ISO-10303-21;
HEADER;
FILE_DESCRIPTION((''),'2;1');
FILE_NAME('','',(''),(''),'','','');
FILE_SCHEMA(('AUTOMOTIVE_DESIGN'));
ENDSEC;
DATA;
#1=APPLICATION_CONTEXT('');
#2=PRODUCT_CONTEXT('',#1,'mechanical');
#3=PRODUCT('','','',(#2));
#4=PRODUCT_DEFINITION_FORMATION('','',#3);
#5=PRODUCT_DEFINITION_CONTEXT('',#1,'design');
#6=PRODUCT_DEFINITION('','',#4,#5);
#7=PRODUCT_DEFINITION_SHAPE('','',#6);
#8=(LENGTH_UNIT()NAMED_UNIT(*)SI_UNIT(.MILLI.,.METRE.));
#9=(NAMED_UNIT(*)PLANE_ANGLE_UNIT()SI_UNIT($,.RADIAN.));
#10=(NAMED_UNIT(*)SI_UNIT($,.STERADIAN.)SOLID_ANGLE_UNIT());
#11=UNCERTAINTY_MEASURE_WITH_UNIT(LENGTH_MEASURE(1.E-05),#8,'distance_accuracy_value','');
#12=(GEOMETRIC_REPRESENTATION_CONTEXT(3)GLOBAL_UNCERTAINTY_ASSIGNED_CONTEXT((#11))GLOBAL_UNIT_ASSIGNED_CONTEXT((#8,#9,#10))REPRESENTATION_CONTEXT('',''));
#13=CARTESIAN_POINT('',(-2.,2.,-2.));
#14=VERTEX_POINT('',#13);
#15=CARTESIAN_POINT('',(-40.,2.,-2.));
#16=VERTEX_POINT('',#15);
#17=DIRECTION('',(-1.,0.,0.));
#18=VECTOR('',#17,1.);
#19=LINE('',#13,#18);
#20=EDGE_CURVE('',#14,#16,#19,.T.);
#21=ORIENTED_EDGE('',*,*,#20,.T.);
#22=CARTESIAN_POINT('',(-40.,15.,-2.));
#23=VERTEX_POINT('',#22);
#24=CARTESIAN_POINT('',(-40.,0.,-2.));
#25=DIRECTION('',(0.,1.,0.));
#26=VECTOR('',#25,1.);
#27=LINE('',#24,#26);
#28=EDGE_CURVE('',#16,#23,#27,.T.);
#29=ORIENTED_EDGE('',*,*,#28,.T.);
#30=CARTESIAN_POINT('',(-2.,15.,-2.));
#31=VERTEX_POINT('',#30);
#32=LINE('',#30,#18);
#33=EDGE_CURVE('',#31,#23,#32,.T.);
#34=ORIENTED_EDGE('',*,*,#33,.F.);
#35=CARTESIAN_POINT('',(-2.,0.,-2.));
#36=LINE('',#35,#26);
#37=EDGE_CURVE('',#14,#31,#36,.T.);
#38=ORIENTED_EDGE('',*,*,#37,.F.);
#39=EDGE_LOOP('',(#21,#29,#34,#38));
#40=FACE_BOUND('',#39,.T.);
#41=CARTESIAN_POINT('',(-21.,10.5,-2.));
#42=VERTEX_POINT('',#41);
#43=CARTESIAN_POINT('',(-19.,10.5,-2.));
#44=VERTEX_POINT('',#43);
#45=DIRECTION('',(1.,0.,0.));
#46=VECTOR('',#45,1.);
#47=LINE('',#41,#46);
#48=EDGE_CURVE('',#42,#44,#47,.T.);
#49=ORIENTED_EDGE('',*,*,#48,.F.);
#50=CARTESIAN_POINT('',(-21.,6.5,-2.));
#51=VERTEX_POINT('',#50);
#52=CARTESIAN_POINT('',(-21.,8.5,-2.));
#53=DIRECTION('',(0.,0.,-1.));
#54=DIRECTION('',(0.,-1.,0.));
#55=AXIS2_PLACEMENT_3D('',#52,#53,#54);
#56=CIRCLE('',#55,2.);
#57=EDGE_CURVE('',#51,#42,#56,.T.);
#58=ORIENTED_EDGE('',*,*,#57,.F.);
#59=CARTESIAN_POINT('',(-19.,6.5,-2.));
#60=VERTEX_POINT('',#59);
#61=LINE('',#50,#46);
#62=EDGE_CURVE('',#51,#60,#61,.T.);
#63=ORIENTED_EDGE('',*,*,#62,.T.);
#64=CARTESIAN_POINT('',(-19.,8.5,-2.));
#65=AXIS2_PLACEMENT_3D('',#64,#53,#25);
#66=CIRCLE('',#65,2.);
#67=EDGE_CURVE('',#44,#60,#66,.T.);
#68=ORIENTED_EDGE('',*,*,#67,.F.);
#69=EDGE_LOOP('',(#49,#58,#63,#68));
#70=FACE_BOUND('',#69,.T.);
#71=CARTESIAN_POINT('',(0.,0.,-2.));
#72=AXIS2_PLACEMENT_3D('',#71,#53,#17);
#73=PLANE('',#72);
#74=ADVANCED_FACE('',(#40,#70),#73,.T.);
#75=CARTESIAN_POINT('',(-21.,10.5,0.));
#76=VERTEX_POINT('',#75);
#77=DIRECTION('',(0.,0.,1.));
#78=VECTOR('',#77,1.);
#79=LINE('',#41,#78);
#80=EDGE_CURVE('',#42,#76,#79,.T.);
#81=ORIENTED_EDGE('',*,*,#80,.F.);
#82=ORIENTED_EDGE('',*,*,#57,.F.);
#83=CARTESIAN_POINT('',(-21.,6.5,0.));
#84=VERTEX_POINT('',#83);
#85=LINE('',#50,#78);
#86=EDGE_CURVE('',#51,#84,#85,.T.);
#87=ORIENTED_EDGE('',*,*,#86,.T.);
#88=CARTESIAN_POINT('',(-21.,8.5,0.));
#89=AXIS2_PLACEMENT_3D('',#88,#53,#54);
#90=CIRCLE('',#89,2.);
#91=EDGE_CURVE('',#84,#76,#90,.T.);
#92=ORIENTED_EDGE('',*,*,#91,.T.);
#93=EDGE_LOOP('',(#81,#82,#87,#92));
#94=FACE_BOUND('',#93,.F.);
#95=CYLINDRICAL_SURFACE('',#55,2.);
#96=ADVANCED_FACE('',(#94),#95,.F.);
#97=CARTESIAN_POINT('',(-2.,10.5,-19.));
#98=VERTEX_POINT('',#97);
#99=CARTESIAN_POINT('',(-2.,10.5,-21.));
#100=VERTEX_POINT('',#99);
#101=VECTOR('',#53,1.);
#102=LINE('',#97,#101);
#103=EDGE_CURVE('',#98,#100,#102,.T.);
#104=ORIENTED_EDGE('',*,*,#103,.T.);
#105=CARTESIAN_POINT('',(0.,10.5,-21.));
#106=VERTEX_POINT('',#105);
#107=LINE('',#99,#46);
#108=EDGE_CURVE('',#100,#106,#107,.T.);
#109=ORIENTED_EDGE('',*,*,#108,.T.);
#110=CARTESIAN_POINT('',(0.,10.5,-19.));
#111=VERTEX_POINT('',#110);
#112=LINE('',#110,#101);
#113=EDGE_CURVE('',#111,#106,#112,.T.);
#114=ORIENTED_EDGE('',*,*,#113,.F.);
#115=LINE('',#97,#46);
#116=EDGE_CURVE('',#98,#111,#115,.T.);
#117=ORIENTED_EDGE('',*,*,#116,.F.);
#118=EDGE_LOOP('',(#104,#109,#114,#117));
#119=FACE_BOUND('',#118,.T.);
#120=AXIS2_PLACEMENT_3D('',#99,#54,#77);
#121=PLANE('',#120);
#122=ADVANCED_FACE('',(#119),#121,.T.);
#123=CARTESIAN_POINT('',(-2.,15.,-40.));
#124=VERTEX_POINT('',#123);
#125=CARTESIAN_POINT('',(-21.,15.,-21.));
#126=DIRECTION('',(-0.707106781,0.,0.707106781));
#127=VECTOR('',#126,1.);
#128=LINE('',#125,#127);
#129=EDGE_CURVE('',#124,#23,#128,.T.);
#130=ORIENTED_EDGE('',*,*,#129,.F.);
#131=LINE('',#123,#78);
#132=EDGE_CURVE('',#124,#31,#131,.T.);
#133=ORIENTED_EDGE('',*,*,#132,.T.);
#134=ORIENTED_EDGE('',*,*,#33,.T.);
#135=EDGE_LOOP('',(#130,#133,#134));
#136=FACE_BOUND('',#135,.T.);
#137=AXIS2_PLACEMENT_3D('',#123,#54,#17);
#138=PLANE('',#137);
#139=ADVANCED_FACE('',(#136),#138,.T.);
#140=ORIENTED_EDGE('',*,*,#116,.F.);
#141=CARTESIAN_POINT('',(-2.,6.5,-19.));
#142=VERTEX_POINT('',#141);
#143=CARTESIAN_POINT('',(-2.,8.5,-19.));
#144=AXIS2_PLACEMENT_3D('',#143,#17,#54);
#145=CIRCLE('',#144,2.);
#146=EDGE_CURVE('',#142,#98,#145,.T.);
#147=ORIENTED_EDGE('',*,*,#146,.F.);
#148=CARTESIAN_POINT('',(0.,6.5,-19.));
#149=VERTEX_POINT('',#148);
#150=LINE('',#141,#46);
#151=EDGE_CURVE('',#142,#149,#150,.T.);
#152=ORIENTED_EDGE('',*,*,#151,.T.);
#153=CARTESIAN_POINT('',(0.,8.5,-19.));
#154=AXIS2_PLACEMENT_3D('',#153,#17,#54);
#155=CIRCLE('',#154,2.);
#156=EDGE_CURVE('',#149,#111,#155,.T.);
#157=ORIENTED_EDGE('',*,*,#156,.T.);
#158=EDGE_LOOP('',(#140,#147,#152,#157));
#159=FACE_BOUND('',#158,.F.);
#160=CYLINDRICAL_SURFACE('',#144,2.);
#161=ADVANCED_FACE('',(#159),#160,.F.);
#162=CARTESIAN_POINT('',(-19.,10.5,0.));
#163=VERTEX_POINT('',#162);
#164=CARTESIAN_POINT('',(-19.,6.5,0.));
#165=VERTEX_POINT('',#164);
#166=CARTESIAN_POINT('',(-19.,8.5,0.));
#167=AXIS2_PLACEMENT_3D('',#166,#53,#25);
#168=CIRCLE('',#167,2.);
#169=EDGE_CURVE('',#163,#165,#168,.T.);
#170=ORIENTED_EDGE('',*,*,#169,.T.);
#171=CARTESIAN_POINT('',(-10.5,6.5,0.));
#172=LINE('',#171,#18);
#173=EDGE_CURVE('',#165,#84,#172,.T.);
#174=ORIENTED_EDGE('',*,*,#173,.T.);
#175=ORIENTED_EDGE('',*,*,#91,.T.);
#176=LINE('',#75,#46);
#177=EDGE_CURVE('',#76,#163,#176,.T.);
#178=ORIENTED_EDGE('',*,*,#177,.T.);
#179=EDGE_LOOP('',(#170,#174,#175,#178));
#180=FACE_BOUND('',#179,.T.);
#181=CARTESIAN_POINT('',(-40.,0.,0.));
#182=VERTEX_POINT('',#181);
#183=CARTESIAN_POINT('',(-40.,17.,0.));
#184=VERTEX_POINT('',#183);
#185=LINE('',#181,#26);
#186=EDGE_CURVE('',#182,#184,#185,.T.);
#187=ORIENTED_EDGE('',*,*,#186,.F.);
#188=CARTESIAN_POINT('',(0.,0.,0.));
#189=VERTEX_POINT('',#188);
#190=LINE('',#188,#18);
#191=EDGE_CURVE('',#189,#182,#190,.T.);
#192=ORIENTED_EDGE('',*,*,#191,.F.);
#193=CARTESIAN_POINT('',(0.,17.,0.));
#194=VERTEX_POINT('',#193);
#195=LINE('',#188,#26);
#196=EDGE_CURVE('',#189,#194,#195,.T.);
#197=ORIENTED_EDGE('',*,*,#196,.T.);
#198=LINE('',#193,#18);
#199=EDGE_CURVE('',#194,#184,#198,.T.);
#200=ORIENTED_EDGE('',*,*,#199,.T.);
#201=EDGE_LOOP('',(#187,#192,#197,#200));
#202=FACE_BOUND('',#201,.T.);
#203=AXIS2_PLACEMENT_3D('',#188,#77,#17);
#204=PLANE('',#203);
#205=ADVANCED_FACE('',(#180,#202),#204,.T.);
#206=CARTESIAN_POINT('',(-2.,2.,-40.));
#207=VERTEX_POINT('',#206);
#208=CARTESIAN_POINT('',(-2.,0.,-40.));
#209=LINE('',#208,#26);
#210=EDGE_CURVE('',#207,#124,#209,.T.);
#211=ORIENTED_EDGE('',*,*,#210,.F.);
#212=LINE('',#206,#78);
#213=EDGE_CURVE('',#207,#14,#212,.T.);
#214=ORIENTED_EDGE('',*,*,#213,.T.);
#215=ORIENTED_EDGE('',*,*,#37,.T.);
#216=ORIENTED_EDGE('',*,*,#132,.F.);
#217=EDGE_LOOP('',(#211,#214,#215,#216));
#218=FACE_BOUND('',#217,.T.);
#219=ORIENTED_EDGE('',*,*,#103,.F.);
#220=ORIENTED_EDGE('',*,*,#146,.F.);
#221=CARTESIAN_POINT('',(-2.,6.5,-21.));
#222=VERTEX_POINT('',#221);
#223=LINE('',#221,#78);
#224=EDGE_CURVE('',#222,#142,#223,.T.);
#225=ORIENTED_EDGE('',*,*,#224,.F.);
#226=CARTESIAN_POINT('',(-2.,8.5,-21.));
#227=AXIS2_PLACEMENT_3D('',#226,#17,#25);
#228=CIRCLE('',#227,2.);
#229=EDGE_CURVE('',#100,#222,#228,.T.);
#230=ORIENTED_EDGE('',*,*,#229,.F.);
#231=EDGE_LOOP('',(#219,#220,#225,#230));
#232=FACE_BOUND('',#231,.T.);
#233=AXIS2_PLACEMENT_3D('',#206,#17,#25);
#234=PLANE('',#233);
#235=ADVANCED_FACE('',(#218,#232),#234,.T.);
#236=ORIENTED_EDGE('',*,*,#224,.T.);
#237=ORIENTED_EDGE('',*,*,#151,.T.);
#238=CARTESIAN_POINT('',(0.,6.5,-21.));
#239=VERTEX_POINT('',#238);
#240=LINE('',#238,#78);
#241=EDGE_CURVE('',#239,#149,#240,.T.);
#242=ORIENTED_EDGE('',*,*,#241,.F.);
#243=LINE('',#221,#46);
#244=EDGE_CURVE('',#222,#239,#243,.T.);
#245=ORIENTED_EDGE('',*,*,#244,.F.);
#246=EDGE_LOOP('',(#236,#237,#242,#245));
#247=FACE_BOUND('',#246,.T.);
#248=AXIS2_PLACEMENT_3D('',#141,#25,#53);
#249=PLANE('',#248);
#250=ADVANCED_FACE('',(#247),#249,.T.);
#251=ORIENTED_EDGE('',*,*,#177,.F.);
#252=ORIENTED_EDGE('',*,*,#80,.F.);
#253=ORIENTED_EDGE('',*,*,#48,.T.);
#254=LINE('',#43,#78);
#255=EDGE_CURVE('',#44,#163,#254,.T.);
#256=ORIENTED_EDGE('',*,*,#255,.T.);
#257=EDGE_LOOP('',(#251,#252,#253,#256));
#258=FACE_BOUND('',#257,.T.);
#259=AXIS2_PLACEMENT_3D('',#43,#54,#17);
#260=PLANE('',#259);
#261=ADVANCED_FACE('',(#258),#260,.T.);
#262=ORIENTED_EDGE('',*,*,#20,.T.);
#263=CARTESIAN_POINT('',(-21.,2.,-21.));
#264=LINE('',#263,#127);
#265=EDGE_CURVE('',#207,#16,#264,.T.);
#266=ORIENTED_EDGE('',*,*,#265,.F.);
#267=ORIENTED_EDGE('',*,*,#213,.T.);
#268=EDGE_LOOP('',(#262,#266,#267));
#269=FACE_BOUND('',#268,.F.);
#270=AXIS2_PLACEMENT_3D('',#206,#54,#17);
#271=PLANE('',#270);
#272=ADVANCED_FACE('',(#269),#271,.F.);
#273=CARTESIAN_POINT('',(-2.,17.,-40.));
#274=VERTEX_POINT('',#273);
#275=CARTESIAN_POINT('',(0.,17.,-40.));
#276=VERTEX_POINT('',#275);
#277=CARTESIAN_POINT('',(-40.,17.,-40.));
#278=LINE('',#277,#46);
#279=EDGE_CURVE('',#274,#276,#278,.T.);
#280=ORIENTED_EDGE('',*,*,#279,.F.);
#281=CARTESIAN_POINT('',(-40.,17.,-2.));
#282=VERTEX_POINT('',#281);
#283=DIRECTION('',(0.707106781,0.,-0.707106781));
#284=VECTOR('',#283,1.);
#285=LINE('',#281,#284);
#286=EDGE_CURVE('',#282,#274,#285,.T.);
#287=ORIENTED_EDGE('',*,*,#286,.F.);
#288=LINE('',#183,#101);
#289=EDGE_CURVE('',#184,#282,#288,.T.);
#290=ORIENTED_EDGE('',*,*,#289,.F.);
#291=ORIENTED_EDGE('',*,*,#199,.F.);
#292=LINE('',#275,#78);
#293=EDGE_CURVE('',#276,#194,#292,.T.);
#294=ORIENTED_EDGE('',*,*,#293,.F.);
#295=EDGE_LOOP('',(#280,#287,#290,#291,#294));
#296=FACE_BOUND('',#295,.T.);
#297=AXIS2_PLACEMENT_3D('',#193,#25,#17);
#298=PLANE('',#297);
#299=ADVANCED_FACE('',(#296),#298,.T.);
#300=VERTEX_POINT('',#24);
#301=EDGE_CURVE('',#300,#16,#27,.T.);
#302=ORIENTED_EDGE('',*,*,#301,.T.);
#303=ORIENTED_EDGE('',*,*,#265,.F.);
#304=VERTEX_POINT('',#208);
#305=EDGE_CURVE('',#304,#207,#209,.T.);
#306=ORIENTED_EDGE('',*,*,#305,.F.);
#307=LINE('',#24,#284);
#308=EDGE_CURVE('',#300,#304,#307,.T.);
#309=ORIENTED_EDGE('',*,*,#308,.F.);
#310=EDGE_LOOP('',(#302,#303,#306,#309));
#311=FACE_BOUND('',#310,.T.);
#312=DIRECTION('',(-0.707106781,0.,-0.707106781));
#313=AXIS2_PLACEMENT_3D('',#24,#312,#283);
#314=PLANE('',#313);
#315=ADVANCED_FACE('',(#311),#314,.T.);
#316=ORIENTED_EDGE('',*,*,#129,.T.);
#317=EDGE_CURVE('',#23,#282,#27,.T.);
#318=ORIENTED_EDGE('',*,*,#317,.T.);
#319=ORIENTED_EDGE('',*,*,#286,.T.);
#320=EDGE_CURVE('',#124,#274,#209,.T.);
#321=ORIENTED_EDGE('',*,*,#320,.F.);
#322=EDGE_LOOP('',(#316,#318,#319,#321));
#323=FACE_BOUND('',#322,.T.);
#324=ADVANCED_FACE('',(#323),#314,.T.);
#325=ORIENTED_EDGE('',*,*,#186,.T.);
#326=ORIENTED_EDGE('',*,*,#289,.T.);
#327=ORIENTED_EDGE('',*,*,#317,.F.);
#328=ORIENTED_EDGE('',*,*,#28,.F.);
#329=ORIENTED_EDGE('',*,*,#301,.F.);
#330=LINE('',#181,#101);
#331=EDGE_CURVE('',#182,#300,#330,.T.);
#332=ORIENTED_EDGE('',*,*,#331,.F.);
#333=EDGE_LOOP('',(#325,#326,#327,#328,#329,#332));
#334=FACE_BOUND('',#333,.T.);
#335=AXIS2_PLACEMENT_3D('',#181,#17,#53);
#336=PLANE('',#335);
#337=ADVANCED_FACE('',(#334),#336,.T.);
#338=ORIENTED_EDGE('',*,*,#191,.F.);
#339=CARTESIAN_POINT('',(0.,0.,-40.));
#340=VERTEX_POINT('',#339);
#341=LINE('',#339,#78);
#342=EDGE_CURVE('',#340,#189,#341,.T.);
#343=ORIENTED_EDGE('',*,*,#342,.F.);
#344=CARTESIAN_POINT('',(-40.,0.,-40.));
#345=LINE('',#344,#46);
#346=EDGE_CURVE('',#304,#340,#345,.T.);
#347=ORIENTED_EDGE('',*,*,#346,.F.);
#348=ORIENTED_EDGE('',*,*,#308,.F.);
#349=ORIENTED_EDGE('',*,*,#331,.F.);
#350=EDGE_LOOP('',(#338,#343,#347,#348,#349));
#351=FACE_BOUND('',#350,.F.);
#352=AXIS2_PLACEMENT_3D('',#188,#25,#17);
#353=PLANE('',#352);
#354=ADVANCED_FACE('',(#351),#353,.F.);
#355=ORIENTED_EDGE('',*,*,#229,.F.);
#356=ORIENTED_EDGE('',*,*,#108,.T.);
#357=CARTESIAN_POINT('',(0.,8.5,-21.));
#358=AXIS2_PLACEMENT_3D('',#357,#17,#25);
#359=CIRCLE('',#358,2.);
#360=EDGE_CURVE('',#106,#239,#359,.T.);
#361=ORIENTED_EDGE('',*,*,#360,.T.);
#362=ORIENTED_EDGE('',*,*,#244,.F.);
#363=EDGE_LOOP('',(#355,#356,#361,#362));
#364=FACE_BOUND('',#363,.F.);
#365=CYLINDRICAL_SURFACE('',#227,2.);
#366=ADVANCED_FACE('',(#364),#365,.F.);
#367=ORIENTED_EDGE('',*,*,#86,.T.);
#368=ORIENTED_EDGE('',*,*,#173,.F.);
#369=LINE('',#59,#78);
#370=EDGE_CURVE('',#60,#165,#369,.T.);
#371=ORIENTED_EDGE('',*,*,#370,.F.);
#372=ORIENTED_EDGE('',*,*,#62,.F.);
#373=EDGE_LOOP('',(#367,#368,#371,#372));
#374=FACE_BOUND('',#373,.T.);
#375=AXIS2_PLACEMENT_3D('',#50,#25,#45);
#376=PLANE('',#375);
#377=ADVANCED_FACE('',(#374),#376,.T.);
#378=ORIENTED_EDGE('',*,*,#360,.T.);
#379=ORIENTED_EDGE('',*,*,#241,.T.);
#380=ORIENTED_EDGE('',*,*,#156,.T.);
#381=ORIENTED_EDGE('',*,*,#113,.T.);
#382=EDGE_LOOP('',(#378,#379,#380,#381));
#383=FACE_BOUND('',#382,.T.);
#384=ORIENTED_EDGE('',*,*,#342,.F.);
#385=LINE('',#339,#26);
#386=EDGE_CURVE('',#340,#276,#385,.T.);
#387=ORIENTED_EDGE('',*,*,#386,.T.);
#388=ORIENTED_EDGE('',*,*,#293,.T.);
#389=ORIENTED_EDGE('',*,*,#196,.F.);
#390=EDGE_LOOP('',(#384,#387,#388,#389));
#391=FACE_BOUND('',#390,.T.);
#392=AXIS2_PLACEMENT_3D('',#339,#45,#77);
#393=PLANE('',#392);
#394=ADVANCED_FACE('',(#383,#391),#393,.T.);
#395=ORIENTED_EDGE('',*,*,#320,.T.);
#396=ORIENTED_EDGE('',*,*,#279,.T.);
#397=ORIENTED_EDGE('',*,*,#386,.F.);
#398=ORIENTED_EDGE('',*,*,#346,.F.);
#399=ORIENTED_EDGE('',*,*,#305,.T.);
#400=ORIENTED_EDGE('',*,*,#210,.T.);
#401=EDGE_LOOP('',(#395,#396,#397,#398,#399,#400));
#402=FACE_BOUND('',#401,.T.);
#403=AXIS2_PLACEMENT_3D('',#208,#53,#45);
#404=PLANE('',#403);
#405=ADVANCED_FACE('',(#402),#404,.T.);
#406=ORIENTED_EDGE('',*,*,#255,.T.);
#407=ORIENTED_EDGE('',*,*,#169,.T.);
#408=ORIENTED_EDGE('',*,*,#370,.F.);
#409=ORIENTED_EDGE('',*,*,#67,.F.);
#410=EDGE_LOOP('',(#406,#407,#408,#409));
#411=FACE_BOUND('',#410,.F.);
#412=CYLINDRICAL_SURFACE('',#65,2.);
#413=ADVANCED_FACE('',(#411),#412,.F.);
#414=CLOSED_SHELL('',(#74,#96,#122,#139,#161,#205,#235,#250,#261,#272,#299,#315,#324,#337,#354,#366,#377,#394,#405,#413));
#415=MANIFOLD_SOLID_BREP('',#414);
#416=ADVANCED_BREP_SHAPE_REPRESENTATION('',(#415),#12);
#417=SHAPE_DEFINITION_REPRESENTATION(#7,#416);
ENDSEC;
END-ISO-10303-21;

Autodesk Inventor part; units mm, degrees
ref_plane "YZ Plane" through (0, 0, 0) normal (1, 0, 0) x (0, 1, 0)
ref_plane "XZ Plane" through (0, 0, 0) normal (0, 1, 0) x (-1, 0, 0)
ref_plane "XY Plane" through (0, 0, 0) normal (0, 0, 1) x (1, 0, 0)
sketch "Эскиз1" plane through (0, 0, 0) normal (0, 1, 0) x (-1, 0, 0)
  line L0 (0, 0) -> (40, 0)
  line L1 (40, 0) -> (40, -40)
  line L2 (40, -40) -> (0, -40)
  line L3 (0, -40) -> (0, 0)
  line L4 (40, 0) -> (40, -2)
  line L5 (0, -40) -> (2, -40)
  line L6 (40, -2) -> (2, -40)
  dimension "d0" = 40
  dimension "d1" = 40
  dimension "d2" = 2
  dimension "d3" = 2
extrude "Выдавливание1" add sketch "Эскиз1" along normal blind 17 contours L0 L1 L6 L2 L3
sketch "Эскиз2" plane through (0, 0, -40) normal (0, 0, -1) x (-1, 0, 0)
  line L0 (0, 17) -> (2, 17) projected
  line L1 (2, 17) -> (2, 15)
  line L2 (2, 0) -> (2, 17) projected
  line L3 (2, 15) -> (40, 15)
  line L4 (40, 0) -> (40, 17) projected
  line L5 (0, 0) -> (2, 0) projected
  line L6 (2, 0) -> (2, 2)
  line L7 (2, 2) -> (40, 2)
  line L8 (40, 2) -> (40, 15)
  line L9 (2, 15) -> (2, 2)
  dimension "d6" = 2
  dimension "d7" = 2
extrude "Выдавливание2" cut sketch "Эскиз2" against normal blind 38
sketch "Эскиз3" plane through (0, 0, -2) normal (0, 0, -1) x (-1, 0, 0)
  line L0 (0, 0) -> (0, 17) projected
  line L1 (20, 10.2321) -> (20, 10.5)
  line L2 (20, 10.5) -> (21, 10.5)
  line L3 (21, 6.5) -> (19, 6.5)
  line L4 (19, 10.5) -> (20, 10.5)
  arc A0 (21, 6.5) -> (21, 10.5) centre (21, 8.5) ccw
  arc A1 (19, 10.5) -> (19, 6.5) centre (19, 8.5) ccw
  line L5 (20, 10.5) -> (20, 8.5)
  line L6 (0, 8.5) -> (17, 8.5)
  line L7 (19, 8.5) -> (20, 8.5)
  dimension "d10" = 20
  dimension "d11" = 2
  dimension "d13" = 1
extrude "Выдавливание3" cut sketch "Эскиз3" against normal blind 10
sketch "Эскиз4" plane through (-2, 2, -40) normal (-1, 0, 0) x (0, 0, 1)
  line L0 (0, 0) -> (0, 13) projected
  line L1 (0, 6.5) -> (20, 6.5)
  line L2 (20, 8.2321) -> (20, 8.5)
  line L3 (20, 8.5) -> (21, 8.5)
  line L4 (21, 4.5) -> (20, 4.5)
  line L5 (20, 4.5) -> (19, 4.5)
  line L6 (19, 8.5) -> (20, 8.5)
  arc A0 (21, 4.5) -> (21, 8.5) centre (21, 6.5) ccw
  arc A1 (19, 8.5) -> (19, 4.5) centre (19, 6.5) ccw
  point P0 (40, -2)
  dimension "d17" = 20
extrude "Выдавливание5" cut sketch "Эскиз4" against normal blind 18.75
properties part number "угол"
